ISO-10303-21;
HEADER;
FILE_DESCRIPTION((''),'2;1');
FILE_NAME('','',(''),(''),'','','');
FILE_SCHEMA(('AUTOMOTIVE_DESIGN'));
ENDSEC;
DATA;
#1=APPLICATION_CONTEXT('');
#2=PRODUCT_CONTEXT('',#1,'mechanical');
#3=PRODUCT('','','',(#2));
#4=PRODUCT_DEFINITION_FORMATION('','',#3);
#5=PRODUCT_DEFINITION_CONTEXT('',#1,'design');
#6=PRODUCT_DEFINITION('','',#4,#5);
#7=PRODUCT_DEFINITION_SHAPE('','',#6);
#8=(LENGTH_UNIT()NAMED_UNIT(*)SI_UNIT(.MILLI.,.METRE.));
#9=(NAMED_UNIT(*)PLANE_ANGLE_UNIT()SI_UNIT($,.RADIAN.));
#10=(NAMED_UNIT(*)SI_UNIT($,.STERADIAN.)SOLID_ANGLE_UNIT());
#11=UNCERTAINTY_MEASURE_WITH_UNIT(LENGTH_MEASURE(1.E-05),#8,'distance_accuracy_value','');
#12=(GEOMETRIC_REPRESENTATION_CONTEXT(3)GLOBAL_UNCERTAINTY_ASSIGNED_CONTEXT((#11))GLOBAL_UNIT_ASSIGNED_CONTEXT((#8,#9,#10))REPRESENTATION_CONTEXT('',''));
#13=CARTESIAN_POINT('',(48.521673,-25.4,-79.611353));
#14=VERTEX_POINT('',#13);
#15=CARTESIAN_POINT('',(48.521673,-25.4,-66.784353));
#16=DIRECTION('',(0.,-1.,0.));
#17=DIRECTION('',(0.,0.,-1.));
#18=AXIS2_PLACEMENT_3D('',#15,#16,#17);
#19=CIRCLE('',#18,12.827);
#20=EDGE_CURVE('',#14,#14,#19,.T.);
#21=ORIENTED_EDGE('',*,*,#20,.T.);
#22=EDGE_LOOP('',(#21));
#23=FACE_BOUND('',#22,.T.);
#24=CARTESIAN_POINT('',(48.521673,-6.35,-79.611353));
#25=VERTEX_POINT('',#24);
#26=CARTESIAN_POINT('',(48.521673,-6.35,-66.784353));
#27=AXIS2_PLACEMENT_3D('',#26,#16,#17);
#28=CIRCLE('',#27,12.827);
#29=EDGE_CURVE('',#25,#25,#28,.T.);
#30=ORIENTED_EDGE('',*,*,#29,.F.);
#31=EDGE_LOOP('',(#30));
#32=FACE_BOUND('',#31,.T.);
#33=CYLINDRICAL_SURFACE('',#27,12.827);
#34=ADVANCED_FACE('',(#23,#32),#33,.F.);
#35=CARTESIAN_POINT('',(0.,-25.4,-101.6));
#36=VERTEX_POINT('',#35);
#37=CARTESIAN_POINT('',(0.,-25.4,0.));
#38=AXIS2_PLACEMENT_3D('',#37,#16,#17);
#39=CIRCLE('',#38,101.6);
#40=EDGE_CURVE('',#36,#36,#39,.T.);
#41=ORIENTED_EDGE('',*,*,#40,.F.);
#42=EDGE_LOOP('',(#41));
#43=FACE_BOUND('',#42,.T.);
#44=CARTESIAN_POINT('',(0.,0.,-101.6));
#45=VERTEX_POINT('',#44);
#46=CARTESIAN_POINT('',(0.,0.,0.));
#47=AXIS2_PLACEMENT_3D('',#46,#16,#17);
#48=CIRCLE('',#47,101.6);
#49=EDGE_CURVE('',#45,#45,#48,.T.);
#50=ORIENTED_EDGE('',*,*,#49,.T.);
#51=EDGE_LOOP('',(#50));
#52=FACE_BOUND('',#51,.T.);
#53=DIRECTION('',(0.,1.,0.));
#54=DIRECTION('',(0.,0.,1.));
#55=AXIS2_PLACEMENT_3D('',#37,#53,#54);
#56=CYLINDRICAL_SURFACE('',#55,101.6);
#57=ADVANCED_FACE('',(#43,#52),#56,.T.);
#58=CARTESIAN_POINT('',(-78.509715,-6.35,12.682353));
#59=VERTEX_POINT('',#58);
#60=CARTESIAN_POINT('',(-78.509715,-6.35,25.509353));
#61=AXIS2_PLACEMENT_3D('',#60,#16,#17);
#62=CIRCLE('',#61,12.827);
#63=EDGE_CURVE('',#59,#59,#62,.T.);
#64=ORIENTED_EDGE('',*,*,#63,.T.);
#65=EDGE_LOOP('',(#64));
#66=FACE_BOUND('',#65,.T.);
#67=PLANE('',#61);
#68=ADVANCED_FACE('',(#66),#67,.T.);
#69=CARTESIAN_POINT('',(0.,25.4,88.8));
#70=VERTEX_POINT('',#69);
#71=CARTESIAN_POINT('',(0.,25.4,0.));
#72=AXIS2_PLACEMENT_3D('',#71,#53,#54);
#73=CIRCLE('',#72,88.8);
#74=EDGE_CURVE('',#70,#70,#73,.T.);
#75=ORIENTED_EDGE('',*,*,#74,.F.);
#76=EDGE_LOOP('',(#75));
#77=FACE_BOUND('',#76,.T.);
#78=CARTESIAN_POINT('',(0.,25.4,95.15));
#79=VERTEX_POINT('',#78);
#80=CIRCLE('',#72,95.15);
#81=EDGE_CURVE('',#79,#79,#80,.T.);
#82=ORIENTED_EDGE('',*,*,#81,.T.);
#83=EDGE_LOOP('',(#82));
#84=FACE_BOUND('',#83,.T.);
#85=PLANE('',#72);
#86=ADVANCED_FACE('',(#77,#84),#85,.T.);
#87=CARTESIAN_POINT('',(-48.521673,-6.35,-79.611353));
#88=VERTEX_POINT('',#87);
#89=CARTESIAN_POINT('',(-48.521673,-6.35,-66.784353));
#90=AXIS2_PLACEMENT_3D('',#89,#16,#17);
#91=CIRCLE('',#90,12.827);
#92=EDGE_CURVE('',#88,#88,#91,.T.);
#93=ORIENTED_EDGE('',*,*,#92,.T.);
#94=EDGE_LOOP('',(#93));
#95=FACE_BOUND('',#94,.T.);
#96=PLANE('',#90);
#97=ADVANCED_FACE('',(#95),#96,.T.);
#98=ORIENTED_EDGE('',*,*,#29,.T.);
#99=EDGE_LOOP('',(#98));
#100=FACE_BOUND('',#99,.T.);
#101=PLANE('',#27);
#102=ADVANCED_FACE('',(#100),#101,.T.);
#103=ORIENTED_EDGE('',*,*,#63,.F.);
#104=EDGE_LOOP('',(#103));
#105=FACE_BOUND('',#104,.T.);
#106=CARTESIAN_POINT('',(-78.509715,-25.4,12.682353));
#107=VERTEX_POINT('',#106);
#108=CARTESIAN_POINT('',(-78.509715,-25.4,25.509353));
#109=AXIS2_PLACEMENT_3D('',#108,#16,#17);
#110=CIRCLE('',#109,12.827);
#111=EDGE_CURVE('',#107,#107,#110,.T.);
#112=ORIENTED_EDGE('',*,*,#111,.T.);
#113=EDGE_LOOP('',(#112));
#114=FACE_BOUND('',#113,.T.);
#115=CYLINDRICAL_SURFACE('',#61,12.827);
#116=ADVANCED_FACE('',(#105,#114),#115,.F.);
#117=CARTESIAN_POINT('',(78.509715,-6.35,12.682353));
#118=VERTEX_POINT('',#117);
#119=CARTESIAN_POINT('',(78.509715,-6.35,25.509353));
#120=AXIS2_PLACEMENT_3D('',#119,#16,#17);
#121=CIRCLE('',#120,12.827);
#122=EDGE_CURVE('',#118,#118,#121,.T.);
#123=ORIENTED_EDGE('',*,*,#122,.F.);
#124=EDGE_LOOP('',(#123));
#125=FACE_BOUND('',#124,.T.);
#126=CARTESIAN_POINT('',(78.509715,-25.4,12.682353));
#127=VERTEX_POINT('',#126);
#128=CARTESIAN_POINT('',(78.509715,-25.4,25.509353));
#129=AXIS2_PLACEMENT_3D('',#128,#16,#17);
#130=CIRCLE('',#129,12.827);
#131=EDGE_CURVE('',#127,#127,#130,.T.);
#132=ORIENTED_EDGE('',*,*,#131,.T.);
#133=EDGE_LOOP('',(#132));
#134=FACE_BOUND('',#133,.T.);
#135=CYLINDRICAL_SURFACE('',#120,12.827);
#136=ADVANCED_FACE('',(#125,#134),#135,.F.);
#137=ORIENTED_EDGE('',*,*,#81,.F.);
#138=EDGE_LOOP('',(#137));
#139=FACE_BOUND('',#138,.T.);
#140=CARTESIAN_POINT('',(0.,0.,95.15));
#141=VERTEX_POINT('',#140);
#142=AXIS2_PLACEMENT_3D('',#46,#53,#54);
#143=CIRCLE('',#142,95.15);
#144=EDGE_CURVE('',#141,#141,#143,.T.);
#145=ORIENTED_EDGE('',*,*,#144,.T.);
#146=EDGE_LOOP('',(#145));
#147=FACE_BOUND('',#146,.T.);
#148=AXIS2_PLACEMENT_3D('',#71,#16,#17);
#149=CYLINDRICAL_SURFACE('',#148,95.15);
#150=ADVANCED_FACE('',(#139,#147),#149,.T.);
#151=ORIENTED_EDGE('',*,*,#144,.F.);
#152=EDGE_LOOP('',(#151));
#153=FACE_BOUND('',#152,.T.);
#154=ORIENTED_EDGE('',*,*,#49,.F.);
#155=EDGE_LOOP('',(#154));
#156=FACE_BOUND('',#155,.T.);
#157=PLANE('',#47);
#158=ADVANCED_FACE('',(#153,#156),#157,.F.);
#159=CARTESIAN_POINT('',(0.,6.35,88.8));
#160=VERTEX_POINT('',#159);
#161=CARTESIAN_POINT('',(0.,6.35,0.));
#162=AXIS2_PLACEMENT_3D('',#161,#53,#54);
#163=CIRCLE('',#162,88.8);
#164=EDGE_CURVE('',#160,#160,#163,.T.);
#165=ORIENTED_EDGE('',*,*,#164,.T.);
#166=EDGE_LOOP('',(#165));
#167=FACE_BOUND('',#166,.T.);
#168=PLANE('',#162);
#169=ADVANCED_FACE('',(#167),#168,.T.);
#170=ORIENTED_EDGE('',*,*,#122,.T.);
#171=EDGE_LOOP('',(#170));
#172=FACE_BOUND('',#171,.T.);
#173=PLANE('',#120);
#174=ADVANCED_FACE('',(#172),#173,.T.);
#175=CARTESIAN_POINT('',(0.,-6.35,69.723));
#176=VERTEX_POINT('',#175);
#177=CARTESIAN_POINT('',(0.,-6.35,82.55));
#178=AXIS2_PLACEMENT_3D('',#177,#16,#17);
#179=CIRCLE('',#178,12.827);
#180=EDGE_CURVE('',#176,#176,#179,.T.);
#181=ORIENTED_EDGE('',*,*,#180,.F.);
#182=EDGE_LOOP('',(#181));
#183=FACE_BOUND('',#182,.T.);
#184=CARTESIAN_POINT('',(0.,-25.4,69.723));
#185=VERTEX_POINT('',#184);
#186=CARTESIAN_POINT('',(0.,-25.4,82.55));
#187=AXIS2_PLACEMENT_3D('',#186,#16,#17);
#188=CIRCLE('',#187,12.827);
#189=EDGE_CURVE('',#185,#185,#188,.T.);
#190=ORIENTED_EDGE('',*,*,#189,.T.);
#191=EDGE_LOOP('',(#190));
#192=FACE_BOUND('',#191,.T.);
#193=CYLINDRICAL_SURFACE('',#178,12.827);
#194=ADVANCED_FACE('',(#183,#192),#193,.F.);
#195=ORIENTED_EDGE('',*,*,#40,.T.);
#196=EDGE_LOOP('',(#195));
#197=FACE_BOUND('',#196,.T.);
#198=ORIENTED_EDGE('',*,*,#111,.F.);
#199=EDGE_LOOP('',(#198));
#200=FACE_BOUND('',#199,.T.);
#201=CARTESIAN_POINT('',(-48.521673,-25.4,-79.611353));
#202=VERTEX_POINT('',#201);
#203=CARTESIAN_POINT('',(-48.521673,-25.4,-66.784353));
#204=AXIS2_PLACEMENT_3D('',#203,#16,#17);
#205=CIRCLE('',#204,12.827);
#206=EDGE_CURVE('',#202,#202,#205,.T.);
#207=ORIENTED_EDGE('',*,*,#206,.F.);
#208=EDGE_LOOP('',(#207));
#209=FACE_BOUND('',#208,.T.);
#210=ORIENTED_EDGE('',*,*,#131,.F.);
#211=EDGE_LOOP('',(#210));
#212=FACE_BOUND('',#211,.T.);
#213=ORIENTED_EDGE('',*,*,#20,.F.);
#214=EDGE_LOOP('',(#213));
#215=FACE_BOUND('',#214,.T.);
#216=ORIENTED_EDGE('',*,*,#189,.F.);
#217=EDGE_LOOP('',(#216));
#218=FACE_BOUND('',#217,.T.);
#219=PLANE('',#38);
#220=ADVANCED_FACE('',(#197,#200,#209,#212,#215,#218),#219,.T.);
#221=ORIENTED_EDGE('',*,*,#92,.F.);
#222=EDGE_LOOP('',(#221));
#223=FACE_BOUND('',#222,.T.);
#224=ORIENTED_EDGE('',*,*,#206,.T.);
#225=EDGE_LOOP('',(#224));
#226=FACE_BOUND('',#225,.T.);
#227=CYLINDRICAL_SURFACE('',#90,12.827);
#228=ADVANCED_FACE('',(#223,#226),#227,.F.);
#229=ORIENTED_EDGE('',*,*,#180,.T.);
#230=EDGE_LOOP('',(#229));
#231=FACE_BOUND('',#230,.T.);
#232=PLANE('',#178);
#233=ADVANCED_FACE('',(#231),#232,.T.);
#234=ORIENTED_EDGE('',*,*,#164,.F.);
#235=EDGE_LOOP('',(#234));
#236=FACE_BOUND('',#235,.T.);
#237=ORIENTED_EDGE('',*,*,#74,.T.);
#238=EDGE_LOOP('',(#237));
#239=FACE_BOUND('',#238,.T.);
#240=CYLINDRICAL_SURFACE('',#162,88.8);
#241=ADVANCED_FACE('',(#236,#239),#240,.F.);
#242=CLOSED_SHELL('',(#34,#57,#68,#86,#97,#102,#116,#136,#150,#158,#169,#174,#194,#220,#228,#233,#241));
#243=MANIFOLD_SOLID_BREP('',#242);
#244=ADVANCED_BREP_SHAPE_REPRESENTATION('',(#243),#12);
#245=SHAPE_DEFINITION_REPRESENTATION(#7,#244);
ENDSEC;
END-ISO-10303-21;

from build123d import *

# Parameters (mm, degrees)
SKETCH1_R           = 95.149999946
BOSS_EXTRUDE1_DEPTH = 25.4
SKETCH2_R           = 88.8
CUT_EXTRUDE1_DEPTH  = 19.05
SKETCH3_R           = 101.6
BOSS_EXTRUDE2_DEPTH = 25.4
SKETCH4_R           = 12.827
CUT_EXTRUDE2_DEPTH  = 19.05


with BuildPart() as part:
    # Sketch1 → Boss-Extrude1 (new body)
    with BuildSketch(Plane(origin=(0, 0, 0), x_dir=(1, 0, 0), z_dir=(0, 1, 0))):
        Circle(SKETCH1_R)
    extrude(amount=BOSS_EXTRUDE1_DEPTH)

    # Sketch2 → Cut-Extrude1 (cut)
    with BuildSketch(Plane(origin=(0, 25.4, 0), x_dir=(1, 0, 0), z_dir=(0, 1, 0))):
        Circle(SKETCH2_R)
    extrude(amount=-CUT_EXTRUDE1_DEPTH, mode=Mode.SUBTRACT)

    # Sketch3 → Boss-Extrude2 (add)
    with BuildSketch(Plane.XZ):
        Circle(SKETCH3_R)
    extrude(amount=BOSS_EXTRUDE2_DEPTH)

    # Sketch4 → Cut-Extrude2 (cut)
    with BuildSketch(Plane.XZ.offset(25.4)):
        with Locations((0, 82.55)):
            Circle(SKETCH4_R)
        with Locations((78.50971542, 25.509352886)):
            Circle(SKETCH4_R)
        with Locations((48.521672577, -66.784352886)):
            Circle(SKETCH4_R)
        with Locations((-48.521672577, -66.784352886)):
            Circle(SKETCH4_R)
        with Locations((-78.50971542, 25.509352886)):
            Circle(SKETCH4_R)
    extrude(amount=-CUT_EXTRUDE2_DEPTH, mode=Mode.SUBTRACT)


solid = part.part
